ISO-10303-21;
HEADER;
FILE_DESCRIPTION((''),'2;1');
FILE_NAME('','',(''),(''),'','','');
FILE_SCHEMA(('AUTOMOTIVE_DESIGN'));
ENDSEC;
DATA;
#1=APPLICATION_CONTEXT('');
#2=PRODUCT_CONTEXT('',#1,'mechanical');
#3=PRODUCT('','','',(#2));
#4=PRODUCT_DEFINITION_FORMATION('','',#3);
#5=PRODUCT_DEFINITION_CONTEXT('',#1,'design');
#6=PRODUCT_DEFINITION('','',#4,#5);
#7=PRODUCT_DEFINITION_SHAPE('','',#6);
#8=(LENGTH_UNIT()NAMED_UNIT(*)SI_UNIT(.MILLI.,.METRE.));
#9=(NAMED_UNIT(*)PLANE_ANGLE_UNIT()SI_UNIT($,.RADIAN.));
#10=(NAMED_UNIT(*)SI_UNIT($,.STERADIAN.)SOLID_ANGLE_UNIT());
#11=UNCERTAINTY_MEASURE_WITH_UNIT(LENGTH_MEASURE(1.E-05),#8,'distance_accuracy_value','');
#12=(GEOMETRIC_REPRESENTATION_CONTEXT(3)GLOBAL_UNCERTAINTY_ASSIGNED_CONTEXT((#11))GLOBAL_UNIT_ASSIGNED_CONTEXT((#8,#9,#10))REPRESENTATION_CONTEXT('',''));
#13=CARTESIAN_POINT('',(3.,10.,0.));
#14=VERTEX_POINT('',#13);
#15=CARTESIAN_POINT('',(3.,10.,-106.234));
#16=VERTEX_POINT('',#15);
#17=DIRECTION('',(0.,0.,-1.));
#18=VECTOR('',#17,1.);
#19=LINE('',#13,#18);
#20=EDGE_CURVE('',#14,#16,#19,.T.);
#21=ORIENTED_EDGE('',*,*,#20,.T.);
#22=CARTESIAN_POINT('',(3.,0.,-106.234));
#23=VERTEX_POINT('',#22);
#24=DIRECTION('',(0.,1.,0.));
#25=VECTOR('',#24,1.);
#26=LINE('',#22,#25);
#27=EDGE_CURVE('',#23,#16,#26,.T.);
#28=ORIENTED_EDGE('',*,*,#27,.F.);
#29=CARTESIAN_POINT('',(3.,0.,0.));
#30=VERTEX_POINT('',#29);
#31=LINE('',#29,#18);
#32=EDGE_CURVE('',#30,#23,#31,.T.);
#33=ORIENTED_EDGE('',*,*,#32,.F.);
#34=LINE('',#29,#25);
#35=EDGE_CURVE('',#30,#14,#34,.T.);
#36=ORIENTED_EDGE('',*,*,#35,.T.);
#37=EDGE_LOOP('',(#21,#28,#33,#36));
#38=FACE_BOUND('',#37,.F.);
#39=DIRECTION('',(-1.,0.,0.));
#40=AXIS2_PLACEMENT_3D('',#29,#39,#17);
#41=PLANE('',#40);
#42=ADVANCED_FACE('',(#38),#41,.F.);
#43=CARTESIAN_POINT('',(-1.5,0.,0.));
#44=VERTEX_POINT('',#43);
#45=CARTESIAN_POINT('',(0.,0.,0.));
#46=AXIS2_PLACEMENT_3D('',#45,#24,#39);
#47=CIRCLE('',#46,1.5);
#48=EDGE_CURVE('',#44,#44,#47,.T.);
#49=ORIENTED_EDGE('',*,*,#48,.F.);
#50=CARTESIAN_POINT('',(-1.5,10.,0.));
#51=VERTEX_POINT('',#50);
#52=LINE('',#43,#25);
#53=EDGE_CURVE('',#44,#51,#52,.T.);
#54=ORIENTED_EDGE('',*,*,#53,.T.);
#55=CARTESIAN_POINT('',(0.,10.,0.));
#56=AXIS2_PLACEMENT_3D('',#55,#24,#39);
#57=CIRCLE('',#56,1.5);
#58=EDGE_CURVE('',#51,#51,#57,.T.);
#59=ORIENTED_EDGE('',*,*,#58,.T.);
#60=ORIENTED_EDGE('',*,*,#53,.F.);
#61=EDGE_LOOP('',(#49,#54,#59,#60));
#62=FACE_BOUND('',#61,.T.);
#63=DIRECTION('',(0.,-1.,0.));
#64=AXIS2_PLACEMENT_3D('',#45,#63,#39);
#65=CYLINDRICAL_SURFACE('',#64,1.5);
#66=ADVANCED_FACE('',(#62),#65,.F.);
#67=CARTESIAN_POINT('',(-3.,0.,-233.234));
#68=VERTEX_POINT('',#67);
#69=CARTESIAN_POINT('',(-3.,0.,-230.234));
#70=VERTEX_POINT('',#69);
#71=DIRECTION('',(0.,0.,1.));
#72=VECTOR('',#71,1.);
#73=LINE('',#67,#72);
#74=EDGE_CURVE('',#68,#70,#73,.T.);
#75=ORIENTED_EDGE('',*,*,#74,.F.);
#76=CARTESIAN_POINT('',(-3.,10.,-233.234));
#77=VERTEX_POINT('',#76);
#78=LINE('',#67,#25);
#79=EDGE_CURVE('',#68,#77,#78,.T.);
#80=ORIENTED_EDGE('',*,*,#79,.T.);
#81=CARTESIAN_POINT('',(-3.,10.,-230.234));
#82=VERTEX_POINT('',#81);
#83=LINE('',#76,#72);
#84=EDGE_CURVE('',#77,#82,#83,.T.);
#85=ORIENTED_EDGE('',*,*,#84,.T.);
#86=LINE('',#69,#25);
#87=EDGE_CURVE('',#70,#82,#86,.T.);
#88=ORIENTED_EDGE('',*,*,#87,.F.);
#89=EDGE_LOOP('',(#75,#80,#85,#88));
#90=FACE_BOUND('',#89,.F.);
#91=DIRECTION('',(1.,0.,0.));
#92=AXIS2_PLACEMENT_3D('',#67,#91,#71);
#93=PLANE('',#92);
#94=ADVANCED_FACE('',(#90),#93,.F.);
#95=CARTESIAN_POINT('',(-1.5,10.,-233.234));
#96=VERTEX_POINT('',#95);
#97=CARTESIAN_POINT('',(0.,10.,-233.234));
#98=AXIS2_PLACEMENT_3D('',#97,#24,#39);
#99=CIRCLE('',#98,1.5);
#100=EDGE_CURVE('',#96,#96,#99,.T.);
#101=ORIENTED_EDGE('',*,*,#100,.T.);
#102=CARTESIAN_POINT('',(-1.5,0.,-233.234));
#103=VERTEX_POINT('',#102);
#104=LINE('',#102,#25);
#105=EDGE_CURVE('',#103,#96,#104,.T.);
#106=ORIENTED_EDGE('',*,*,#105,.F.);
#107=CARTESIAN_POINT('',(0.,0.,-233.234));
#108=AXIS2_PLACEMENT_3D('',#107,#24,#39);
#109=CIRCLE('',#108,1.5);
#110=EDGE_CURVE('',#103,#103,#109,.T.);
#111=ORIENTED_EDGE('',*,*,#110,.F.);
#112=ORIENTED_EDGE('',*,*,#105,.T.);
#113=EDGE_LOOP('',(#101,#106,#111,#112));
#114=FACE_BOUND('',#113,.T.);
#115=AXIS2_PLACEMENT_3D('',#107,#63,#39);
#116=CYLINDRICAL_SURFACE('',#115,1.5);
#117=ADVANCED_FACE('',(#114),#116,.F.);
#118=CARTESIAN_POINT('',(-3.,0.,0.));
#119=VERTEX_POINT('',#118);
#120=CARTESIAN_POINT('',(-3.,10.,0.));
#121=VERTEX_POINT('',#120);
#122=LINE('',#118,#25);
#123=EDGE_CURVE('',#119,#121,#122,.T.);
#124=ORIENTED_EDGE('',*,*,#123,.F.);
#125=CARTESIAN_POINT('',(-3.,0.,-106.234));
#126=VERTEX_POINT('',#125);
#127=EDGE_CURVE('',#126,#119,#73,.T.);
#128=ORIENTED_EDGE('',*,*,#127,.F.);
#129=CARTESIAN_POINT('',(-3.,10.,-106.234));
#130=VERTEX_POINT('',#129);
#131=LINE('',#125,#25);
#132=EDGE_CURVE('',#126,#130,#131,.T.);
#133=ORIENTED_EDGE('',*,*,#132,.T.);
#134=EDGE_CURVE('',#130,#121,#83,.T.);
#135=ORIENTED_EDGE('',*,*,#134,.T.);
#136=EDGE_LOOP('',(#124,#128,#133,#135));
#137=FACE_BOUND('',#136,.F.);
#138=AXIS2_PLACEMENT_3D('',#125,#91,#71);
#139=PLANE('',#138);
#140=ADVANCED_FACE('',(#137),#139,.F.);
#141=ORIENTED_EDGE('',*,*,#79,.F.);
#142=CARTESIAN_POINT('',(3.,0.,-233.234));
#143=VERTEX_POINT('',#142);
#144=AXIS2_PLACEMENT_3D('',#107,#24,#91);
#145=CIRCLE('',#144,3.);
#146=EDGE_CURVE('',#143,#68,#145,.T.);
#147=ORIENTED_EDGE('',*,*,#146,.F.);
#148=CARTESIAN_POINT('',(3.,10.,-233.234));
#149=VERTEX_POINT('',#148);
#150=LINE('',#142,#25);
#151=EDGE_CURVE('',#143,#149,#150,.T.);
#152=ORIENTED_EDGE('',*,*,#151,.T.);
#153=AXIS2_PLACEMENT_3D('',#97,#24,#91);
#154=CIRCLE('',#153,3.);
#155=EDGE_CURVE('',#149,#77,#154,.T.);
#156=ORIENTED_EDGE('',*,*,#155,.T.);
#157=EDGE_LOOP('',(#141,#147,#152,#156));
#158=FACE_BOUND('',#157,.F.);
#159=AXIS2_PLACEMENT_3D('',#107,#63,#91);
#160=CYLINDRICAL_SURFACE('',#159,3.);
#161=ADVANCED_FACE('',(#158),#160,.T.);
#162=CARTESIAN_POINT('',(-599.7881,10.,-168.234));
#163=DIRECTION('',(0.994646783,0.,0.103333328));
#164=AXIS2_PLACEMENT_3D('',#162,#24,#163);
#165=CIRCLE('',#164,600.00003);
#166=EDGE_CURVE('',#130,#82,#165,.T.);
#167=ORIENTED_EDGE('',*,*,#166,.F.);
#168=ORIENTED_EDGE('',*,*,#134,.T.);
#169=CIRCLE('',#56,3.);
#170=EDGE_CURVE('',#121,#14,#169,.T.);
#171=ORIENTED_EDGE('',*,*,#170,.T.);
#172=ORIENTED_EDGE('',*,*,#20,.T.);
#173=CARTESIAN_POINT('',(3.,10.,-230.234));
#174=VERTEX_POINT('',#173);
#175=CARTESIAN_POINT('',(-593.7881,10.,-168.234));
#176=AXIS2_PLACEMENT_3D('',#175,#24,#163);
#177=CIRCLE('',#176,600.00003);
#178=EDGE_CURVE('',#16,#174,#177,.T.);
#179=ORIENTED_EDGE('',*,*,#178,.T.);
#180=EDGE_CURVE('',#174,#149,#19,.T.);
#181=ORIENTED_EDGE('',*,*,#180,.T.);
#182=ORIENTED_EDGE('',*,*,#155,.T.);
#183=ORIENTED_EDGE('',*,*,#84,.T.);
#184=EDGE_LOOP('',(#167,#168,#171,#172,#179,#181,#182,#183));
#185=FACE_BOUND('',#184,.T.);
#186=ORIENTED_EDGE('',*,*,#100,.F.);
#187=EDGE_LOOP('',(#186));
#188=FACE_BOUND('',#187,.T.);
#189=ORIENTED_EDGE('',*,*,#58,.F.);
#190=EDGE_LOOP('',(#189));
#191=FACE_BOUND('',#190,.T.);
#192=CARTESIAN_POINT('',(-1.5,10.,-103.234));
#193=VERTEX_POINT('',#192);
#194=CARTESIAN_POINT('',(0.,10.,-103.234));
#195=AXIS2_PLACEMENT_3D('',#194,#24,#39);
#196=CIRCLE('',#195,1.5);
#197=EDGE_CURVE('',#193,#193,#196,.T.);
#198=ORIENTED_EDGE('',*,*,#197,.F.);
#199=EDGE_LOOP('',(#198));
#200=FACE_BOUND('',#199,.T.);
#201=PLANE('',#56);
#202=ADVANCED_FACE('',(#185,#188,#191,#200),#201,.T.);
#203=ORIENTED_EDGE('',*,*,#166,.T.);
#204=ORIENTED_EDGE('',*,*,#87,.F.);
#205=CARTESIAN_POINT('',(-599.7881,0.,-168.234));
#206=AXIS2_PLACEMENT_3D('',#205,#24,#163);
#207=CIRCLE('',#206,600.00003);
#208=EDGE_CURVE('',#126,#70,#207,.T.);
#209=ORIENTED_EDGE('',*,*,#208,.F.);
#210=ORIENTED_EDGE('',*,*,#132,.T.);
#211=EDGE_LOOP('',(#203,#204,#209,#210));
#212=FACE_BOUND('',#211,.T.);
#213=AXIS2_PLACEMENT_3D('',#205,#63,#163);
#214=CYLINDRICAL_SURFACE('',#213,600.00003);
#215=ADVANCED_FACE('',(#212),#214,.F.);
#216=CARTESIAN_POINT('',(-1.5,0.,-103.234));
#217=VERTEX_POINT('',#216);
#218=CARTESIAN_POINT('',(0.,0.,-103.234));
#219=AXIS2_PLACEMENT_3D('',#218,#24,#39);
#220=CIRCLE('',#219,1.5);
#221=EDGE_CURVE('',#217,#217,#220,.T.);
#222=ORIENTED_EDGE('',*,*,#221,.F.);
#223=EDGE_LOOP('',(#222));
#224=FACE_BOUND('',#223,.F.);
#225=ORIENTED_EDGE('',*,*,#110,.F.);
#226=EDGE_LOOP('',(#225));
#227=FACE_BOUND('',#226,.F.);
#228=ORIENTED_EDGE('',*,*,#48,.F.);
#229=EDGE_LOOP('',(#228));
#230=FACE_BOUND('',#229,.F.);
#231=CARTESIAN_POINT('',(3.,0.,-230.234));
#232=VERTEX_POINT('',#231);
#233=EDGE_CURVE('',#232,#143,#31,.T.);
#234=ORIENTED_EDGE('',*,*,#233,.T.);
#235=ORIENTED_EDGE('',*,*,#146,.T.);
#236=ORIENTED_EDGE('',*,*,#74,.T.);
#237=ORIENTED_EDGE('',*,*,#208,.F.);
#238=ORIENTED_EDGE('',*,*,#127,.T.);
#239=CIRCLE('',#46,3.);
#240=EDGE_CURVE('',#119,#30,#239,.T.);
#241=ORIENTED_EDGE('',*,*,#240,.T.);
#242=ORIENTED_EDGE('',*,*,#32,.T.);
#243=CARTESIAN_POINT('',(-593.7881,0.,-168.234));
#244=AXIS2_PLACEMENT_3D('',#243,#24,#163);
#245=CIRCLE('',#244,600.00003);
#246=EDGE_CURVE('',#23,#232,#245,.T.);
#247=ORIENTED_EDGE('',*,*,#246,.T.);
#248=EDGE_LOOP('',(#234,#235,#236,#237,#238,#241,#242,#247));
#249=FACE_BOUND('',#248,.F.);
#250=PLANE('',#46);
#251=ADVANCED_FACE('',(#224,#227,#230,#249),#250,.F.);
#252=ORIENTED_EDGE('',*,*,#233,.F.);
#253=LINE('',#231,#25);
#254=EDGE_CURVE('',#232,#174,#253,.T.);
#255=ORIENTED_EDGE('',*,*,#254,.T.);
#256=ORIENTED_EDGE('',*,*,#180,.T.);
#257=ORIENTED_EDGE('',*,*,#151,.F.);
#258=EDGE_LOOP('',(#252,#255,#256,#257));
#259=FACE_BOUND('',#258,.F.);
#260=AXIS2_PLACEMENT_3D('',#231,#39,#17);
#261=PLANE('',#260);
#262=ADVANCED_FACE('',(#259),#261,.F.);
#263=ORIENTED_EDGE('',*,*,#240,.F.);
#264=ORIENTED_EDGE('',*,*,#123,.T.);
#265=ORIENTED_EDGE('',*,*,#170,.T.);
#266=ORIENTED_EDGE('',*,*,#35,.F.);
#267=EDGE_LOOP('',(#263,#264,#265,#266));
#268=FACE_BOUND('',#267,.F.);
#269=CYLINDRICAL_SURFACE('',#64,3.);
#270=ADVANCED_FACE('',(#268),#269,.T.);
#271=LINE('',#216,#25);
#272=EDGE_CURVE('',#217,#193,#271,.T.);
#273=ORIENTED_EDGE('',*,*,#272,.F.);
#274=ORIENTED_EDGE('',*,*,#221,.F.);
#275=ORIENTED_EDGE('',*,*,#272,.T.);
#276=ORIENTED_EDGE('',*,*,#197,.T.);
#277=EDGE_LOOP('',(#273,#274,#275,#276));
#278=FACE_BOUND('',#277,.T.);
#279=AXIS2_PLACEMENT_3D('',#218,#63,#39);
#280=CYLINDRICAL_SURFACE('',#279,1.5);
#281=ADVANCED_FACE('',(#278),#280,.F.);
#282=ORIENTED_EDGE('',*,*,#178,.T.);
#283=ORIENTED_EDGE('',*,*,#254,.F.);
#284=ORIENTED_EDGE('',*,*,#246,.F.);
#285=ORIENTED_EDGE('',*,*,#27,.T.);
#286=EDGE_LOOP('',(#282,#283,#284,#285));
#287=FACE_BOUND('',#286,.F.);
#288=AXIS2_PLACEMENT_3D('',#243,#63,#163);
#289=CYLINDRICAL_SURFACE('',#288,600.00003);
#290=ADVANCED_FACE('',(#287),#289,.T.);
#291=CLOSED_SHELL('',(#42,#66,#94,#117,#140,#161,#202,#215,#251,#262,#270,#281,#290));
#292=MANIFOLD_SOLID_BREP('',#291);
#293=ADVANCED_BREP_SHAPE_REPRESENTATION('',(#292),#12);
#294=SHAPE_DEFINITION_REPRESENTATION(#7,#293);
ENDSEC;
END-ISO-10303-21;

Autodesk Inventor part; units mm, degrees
ref_plane "YZ Plane" through (0, 0, 0) normal (1, 0, 0) x (0, 1, 0)
ref_plane "XZ Plane" through (0, 0, 0) normal (0, 1, 0) x (-1, 0, 0)
ref_plane "XY Plane" through (0, 0, 0) normal (0, 0, 1) x (1, 0, 0)
sketch "Sketch1" plane through (0, 0, 0) normal (0, 1, 0) x (-1, 0, 0)
  line L0 (0, 0) -> (0, -233.234) construction
  line L1 (-3, 0) -> (-3, -233.234)
  line L2 (3, -233.234) -> (3, 0)
  arc A0 (3, 0) -> (-3, 0) centre (0, 0) ccw
  arc A1 (-3, -233.234) -> (3, -233.234) centre (0, -233.234) ccw
  circle A2 centre (0, 0) radius 1.5
  circle A3 centre (0, -233.234) radius 1.5
  circle A4 centre (0, -103.234) radius 1.5
  arc A5 (3, -106.234) -> (3, -230.234) centre (599.7881, -168.234) ccw
  arc A6 (-3, -106.234) -> (-3, -230.234) centre (593.7881, -168.234) ccw
  point P0 (0, -116.617)
  dimension "d0" = 6
  dimension "d1" = 233.234
  dimension "d2" = 3
  dimension "d3" = 3
  dimension "d16" = 3
  dimension "d17" = 103.234
  dimension "d20" = 600
  dimension "d21" = 3
  dimension "d22" = 3
  dimension "d23" = 600
extrude "Extrusion1" add sketch "Sketch1" along normal blind 10 contours A0 L2 A5 A1 L1 | L1 A6
